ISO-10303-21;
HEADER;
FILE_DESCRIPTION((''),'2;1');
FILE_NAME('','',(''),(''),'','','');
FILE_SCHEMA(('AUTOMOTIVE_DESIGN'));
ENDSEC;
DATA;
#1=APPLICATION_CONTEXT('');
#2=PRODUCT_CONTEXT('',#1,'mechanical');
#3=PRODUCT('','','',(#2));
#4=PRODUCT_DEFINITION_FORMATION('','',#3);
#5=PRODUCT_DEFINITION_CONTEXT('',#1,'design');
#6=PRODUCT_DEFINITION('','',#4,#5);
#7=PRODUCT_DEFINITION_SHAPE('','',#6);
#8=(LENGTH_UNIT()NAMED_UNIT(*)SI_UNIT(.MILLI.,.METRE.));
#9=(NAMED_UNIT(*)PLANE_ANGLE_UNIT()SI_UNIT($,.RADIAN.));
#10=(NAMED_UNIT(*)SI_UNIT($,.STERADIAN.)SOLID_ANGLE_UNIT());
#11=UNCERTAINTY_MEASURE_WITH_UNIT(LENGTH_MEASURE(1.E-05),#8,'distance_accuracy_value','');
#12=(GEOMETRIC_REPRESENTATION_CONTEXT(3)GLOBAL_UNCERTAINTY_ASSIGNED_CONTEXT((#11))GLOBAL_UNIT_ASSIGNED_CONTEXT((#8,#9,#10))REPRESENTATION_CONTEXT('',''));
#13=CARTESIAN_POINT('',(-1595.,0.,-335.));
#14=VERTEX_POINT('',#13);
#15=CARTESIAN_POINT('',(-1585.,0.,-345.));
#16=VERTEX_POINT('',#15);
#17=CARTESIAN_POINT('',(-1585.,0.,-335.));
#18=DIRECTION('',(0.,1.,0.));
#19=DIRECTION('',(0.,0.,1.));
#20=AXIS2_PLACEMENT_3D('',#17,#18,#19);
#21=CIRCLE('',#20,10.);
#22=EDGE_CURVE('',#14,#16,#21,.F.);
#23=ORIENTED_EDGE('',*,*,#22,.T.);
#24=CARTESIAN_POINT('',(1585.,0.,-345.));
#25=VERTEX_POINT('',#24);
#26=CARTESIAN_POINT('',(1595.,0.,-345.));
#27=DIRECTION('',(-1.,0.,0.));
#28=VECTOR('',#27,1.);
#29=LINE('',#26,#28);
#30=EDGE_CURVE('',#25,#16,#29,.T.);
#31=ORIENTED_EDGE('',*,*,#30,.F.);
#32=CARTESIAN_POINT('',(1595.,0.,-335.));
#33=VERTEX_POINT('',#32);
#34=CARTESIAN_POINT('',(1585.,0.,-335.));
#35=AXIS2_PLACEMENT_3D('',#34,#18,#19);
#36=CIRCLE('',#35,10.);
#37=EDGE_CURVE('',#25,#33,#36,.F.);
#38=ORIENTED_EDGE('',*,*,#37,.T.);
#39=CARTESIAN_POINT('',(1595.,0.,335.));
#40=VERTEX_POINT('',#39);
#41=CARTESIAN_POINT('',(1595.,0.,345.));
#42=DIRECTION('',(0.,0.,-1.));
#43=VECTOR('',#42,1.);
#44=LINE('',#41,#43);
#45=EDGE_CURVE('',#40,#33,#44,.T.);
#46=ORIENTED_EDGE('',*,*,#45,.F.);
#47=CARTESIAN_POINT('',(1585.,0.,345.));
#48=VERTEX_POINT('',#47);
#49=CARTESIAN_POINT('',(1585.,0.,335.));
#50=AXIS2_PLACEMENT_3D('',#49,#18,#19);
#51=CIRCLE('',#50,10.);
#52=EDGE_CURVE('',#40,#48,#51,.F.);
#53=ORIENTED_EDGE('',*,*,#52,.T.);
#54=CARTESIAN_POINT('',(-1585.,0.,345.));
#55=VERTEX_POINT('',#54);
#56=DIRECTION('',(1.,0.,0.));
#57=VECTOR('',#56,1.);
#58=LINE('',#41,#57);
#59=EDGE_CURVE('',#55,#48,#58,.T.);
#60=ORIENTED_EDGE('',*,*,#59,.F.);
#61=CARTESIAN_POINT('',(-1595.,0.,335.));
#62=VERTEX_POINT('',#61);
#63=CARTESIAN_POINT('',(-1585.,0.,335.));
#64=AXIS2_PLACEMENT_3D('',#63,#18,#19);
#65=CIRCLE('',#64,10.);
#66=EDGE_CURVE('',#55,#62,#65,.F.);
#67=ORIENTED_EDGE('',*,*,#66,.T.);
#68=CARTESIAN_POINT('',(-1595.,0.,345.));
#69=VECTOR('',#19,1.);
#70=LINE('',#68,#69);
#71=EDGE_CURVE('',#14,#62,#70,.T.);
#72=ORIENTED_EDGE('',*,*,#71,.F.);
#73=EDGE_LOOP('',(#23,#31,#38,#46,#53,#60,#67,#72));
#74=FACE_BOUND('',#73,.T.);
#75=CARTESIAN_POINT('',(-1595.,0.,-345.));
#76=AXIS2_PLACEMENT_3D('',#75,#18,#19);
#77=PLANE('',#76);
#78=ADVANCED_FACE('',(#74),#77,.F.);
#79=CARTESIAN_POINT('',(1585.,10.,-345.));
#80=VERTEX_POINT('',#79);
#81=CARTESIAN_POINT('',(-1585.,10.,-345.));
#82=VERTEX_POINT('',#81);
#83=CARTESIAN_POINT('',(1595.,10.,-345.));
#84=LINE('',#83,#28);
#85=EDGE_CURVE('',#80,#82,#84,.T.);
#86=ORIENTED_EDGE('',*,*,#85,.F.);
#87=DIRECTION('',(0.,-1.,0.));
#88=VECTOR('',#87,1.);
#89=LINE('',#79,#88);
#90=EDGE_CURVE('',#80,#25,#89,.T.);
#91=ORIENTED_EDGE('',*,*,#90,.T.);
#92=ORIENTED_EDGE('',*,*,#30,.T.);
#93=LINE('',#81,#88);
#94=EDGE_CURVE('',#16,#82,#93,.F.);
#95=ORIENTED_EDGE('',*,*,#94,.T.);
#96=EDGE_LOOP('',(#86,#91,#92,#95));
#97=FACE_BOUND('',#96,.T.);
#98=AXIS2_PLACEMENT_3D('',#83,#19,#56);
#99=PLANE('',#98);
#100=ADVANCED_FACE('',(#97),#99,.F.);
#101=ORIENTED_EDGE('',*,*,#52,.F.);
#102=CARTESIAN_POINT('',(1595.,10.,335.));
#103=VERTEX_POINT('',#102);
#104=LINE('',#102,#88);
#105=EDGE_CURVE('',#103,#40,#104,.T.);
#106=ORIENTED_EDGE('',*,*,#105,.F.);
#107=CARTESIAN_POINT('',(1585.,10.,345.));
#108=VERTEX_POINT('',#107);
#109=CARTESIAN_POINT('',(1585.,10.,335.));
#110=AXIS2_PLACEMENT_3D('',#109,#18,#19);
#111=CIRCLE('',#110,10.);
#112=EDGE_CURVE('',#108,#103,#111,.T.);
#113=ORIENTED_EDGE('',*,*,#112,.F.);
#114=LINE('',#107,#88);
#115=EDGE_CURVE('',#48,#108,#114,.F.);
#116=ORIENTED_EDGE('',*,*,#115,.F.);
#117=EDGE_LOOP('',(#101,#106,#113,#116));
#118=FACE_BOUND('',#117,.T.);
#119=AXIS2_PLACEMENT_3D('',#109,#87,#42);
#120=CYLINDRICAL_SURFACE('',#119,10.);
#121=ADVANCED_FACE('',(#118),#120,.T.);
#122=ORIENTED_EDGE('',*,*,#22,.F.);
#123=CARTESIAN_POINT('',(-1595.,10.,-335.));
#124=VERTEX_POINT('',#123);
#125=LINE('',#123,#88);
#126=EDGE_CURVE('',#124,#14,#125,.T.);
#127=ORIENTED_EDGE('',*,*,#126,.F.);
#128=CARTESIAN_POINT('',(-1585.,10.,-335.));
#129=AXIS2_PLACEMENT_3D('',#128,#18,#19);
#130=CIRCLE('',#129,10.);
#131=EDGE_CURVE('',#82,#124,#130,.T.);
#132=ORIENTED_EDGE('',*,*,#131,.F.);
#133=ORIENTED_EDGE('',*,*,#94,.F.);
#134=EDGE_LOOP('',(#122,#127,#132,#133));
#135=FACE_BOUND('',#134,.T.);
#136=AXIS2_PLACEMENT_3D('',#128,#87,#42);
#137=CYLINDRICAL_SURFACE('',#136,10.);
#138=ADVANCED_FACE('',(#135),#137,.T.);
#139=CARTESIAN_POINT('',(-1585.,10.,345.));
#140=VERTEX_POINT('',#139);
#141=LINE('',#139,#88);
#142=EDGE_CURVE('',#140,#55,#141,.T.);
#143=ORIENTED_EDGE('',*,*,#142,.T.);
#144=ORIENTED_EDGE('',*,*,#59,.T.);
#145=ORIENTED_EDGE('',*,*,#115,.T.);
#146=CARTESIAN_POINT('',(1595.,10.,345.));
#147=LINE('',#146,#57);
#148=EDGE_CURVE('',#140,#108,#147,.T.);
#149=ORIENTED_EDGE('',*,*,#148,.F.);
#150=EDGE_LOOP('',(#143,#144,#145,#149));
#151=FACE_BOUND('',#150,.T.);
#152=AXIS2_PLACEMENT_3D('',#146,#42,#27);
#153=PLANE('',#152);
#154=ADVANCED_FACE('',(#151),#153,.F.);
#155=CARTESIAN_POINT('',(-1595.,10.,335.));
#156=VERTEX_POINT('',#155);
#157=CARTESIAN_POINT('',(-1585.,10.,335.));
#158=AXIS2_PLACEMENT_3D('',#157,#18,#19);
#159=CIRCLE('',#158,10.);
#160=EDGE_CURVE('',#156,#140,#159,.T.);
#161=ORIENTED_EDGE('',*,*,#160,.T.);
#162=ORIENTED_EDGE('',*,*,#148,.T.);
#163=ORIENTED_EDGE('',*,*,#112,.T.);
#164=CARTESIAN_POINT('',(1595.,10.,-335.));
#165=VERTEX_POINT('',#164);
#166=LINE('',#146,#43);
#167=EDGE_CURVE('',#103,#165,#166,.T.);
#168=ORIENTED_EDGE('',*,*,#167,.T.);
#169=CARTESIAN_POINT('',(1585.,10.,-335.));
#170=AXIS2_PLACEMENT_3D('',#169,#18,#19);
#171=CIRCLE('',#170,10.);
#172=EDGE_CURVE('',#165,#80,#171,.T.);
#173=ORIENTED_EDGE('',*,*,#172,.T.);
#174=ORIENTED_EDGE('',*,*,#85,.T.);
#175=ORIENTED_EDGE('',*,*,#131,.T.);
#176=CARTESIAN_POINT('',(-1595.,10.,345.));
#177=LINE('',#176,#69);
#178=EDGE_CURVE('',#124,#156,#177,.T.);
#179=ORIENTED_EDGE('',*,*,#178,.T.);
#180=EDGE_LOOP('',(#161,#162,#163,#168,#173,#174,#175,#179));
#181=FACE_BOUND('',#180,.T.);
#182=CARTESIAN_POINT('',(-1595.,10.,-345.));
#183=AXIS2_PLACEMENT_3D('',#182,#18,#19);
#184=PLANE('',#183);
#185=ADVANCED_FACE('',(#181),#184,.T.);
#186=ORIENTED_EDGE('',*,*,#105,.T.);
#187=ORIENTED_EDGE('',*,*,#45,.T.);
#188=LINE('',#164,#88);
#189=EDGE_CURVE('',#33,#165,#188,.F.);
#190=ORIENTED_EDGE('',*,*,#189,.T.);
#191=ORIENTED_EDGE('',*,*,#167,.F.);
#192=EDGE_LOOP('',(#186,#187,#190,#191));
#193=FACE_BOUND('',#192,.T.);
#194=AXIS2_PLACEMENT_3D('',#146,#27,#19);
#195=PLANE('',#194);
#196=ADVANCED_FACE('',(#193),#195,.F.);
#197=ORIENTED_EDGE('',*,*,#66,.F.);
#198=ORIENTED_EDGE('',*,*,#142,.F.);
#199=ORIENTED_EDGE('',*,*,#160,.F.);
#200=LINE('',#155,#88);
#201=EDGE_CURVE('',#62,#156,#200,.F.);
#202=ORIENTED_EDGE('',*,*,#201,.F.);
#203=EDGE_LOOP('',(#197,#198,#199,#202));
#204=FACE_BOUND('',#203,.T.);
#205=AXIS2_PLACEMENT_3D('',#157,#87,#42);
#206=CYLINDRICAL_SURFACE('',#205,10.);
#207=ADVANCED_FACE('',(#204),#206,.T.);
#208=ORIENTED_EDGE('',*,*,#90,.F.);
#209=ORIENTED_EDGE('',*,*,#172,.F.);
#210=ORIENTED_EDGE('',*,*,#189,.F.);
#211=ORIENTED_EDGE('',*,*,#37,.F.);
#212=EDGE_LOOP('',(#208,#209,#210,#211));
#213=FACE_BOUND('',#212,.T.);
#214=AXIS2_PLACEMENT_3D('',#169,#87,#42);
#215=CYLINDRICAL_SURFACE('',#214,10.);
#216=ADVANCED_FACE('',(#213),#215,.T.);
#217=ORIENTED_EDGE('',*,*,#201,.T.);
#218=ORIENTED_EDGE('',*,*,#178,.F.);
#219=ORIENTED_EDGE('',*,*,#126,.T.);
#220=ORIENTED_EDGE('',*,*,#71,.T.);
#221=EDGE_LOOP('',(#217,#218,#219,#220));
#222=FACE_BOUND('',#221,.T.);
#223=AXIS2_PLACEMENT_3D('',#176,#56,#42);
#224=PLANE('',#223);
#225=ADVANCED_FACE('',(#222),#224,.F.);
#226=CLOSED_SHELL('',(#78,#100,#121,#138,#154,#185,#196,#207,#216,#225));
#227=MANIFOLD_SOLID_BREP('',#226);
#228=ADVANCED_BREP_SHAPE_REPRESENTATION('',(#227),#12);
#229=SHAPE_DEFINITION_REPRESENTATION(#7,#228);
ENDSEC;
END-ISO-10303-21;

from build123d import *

# Parameters (mm, degrees)
CROQUIS1_W     = 3190
CROQUIS1_H     = 690
EXTRUIR1_DEPTH = 10
REDONDEO1_R    = 10


with BuildPart() as part:
    # Croquis1 → Extruir1 (new body)
    with BuildSketch(Plane(origin=(0, 0, 0), x_dir=(1, 0, 0), z_dir=(0, 1, 0))):
        Rectangle(CROQUIS1_W, CROQUIS1_H)
    extrude(amount=EXTRUIR1_DEPTH)

    # Redondeo1
    redondeo1_edges = [part.edges().sort_by_distance(p)[0] for p in [
        (-1595, 5, -345),
        (1595, 5, -345),
        (1595, 5, 345),
        (-1595, 5, 345),
    ]]
    fillet(redondeo1_edges, radius=REDONDEO1_R)


solid = part.part
